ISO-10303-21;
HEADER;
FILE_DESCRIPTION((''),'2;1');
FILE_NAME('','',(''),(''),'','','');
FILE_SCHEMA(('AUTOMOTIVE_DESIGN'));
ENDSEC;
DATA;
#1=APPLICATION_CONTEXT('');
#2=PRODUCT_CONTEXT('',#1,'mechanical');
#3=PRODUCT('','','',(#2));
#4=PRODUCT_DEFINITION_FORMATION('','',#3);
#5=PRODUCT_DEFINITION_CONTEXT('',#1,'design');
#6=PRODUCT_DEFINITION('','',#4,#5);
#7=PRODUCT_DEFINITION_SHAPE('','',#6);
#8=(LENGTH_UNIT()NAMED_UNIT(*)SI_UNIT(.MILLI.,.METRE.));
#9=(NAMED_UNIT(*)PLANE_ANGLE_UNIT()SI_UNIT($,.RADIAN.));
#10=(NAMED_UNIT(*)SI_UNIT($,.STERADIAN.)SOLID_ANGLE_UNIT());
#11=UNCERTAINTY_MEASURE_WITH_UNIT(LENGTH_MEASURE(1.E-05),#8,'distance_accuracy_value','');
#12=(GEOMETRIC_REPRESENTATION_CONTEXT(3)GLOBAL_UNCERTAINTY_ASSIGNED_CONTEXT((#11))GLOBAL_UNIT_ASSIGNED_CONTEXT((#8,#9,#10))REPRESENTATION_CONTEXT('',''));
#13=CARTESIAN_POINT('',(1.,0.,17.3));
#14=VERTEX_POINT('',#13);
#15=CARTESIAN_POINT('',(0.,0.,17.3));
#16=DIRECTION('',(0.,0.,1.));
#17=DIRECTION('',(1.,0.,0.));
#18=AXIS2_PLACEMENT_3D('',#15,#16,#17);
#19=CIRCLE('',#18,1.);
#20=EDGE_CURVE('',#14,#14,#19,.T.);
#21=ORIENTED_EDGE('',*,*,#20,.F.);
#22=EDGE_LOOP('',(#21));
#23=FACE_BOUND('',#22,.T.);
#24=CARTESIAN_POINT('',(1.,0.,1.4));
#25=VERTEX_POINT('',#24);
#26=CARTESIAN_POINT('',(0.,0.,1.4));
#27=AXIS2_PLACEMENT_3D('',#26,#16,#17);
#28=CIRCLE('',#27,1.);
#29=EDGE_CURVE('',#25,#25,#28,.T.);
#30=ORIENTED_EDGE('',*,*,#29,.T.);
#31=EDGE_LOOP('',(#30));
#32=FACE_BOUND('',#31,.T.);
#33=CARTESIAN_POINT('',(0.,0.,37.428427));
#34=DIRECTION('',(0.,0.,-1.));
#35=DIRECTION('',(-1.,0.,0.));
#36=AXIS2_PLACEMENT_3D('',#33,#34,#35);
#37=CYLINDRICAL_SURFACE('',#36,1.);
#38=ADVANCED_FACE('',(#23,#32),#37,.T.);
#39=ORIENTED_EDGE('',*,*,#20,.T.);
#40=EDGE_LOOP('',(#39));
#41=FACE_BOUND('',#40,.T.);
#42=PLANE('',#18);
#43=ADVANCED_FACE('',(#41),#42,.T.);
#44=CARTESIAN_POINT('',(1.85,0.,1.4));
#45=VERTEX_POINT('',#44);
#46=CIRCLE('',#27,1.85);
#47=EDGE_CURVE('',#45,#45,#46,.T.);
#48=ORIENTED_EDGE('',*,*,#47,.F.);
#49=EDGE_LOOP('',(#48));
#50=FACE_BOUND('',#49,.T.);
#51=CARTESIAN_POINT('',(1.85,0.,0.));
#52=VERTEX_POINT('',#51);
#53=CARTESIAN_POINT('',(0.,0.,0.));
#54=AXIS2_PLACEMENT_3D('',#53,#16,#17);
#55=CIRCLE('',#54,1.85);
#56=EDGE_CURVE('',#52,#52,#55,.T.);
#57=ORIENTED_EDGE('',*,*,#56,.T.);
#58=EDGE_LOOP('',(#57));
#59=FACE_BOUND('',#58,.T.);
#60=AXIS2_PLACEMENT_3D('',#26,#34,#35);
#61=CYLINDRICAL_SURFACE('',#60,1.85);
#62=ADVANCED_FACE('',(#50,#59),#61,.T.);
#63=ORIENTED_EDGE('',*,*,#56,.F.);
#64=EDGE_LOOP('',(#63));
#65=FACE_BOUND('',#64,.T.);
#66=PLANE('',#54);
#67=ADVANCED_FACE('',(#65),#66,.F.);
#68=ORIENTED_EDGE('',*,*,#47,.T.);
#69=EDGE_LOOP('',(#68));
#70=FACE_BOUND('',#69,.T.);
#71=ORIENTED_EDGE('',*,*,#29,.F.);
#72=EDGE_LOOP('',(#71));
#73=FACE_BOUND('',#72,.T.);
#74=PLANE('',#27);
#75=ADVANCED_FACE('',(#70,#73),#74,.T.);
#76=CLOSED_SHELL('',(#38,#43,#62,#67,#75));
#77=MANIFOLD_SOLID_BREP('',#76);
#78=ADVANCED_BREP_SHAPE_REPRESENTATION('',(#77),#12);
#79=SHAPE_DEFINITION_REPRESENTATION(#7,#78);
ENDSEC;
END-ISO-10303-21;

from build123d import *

# Parameters (mm, degrees)
SKETCH_1_R      = 1.85
EXTRUDE_1_DEPTH = 1.4
SKETCH_2_R      = 1
EXTRUDE_2_DEPTH = 15.9


with BuildPart() as part:
    # Эскиз1 → Бобышка-Вытянуть1 (new body)
    with BuildSketch(Plane.XY):
        Circle(SKETCH_1_R)
    extrude(amount=EXTRUDE_1_DEPTH)

    # Эскиз2 → Бобышка-Вытянуть2 (add)
    with BuildSketch(Plane.XY.offset(1.4)):
        Circle(SKETCH_2_R)
    extrude(amount=EXTRUDE_2_DEPTH)


solid = part.part
